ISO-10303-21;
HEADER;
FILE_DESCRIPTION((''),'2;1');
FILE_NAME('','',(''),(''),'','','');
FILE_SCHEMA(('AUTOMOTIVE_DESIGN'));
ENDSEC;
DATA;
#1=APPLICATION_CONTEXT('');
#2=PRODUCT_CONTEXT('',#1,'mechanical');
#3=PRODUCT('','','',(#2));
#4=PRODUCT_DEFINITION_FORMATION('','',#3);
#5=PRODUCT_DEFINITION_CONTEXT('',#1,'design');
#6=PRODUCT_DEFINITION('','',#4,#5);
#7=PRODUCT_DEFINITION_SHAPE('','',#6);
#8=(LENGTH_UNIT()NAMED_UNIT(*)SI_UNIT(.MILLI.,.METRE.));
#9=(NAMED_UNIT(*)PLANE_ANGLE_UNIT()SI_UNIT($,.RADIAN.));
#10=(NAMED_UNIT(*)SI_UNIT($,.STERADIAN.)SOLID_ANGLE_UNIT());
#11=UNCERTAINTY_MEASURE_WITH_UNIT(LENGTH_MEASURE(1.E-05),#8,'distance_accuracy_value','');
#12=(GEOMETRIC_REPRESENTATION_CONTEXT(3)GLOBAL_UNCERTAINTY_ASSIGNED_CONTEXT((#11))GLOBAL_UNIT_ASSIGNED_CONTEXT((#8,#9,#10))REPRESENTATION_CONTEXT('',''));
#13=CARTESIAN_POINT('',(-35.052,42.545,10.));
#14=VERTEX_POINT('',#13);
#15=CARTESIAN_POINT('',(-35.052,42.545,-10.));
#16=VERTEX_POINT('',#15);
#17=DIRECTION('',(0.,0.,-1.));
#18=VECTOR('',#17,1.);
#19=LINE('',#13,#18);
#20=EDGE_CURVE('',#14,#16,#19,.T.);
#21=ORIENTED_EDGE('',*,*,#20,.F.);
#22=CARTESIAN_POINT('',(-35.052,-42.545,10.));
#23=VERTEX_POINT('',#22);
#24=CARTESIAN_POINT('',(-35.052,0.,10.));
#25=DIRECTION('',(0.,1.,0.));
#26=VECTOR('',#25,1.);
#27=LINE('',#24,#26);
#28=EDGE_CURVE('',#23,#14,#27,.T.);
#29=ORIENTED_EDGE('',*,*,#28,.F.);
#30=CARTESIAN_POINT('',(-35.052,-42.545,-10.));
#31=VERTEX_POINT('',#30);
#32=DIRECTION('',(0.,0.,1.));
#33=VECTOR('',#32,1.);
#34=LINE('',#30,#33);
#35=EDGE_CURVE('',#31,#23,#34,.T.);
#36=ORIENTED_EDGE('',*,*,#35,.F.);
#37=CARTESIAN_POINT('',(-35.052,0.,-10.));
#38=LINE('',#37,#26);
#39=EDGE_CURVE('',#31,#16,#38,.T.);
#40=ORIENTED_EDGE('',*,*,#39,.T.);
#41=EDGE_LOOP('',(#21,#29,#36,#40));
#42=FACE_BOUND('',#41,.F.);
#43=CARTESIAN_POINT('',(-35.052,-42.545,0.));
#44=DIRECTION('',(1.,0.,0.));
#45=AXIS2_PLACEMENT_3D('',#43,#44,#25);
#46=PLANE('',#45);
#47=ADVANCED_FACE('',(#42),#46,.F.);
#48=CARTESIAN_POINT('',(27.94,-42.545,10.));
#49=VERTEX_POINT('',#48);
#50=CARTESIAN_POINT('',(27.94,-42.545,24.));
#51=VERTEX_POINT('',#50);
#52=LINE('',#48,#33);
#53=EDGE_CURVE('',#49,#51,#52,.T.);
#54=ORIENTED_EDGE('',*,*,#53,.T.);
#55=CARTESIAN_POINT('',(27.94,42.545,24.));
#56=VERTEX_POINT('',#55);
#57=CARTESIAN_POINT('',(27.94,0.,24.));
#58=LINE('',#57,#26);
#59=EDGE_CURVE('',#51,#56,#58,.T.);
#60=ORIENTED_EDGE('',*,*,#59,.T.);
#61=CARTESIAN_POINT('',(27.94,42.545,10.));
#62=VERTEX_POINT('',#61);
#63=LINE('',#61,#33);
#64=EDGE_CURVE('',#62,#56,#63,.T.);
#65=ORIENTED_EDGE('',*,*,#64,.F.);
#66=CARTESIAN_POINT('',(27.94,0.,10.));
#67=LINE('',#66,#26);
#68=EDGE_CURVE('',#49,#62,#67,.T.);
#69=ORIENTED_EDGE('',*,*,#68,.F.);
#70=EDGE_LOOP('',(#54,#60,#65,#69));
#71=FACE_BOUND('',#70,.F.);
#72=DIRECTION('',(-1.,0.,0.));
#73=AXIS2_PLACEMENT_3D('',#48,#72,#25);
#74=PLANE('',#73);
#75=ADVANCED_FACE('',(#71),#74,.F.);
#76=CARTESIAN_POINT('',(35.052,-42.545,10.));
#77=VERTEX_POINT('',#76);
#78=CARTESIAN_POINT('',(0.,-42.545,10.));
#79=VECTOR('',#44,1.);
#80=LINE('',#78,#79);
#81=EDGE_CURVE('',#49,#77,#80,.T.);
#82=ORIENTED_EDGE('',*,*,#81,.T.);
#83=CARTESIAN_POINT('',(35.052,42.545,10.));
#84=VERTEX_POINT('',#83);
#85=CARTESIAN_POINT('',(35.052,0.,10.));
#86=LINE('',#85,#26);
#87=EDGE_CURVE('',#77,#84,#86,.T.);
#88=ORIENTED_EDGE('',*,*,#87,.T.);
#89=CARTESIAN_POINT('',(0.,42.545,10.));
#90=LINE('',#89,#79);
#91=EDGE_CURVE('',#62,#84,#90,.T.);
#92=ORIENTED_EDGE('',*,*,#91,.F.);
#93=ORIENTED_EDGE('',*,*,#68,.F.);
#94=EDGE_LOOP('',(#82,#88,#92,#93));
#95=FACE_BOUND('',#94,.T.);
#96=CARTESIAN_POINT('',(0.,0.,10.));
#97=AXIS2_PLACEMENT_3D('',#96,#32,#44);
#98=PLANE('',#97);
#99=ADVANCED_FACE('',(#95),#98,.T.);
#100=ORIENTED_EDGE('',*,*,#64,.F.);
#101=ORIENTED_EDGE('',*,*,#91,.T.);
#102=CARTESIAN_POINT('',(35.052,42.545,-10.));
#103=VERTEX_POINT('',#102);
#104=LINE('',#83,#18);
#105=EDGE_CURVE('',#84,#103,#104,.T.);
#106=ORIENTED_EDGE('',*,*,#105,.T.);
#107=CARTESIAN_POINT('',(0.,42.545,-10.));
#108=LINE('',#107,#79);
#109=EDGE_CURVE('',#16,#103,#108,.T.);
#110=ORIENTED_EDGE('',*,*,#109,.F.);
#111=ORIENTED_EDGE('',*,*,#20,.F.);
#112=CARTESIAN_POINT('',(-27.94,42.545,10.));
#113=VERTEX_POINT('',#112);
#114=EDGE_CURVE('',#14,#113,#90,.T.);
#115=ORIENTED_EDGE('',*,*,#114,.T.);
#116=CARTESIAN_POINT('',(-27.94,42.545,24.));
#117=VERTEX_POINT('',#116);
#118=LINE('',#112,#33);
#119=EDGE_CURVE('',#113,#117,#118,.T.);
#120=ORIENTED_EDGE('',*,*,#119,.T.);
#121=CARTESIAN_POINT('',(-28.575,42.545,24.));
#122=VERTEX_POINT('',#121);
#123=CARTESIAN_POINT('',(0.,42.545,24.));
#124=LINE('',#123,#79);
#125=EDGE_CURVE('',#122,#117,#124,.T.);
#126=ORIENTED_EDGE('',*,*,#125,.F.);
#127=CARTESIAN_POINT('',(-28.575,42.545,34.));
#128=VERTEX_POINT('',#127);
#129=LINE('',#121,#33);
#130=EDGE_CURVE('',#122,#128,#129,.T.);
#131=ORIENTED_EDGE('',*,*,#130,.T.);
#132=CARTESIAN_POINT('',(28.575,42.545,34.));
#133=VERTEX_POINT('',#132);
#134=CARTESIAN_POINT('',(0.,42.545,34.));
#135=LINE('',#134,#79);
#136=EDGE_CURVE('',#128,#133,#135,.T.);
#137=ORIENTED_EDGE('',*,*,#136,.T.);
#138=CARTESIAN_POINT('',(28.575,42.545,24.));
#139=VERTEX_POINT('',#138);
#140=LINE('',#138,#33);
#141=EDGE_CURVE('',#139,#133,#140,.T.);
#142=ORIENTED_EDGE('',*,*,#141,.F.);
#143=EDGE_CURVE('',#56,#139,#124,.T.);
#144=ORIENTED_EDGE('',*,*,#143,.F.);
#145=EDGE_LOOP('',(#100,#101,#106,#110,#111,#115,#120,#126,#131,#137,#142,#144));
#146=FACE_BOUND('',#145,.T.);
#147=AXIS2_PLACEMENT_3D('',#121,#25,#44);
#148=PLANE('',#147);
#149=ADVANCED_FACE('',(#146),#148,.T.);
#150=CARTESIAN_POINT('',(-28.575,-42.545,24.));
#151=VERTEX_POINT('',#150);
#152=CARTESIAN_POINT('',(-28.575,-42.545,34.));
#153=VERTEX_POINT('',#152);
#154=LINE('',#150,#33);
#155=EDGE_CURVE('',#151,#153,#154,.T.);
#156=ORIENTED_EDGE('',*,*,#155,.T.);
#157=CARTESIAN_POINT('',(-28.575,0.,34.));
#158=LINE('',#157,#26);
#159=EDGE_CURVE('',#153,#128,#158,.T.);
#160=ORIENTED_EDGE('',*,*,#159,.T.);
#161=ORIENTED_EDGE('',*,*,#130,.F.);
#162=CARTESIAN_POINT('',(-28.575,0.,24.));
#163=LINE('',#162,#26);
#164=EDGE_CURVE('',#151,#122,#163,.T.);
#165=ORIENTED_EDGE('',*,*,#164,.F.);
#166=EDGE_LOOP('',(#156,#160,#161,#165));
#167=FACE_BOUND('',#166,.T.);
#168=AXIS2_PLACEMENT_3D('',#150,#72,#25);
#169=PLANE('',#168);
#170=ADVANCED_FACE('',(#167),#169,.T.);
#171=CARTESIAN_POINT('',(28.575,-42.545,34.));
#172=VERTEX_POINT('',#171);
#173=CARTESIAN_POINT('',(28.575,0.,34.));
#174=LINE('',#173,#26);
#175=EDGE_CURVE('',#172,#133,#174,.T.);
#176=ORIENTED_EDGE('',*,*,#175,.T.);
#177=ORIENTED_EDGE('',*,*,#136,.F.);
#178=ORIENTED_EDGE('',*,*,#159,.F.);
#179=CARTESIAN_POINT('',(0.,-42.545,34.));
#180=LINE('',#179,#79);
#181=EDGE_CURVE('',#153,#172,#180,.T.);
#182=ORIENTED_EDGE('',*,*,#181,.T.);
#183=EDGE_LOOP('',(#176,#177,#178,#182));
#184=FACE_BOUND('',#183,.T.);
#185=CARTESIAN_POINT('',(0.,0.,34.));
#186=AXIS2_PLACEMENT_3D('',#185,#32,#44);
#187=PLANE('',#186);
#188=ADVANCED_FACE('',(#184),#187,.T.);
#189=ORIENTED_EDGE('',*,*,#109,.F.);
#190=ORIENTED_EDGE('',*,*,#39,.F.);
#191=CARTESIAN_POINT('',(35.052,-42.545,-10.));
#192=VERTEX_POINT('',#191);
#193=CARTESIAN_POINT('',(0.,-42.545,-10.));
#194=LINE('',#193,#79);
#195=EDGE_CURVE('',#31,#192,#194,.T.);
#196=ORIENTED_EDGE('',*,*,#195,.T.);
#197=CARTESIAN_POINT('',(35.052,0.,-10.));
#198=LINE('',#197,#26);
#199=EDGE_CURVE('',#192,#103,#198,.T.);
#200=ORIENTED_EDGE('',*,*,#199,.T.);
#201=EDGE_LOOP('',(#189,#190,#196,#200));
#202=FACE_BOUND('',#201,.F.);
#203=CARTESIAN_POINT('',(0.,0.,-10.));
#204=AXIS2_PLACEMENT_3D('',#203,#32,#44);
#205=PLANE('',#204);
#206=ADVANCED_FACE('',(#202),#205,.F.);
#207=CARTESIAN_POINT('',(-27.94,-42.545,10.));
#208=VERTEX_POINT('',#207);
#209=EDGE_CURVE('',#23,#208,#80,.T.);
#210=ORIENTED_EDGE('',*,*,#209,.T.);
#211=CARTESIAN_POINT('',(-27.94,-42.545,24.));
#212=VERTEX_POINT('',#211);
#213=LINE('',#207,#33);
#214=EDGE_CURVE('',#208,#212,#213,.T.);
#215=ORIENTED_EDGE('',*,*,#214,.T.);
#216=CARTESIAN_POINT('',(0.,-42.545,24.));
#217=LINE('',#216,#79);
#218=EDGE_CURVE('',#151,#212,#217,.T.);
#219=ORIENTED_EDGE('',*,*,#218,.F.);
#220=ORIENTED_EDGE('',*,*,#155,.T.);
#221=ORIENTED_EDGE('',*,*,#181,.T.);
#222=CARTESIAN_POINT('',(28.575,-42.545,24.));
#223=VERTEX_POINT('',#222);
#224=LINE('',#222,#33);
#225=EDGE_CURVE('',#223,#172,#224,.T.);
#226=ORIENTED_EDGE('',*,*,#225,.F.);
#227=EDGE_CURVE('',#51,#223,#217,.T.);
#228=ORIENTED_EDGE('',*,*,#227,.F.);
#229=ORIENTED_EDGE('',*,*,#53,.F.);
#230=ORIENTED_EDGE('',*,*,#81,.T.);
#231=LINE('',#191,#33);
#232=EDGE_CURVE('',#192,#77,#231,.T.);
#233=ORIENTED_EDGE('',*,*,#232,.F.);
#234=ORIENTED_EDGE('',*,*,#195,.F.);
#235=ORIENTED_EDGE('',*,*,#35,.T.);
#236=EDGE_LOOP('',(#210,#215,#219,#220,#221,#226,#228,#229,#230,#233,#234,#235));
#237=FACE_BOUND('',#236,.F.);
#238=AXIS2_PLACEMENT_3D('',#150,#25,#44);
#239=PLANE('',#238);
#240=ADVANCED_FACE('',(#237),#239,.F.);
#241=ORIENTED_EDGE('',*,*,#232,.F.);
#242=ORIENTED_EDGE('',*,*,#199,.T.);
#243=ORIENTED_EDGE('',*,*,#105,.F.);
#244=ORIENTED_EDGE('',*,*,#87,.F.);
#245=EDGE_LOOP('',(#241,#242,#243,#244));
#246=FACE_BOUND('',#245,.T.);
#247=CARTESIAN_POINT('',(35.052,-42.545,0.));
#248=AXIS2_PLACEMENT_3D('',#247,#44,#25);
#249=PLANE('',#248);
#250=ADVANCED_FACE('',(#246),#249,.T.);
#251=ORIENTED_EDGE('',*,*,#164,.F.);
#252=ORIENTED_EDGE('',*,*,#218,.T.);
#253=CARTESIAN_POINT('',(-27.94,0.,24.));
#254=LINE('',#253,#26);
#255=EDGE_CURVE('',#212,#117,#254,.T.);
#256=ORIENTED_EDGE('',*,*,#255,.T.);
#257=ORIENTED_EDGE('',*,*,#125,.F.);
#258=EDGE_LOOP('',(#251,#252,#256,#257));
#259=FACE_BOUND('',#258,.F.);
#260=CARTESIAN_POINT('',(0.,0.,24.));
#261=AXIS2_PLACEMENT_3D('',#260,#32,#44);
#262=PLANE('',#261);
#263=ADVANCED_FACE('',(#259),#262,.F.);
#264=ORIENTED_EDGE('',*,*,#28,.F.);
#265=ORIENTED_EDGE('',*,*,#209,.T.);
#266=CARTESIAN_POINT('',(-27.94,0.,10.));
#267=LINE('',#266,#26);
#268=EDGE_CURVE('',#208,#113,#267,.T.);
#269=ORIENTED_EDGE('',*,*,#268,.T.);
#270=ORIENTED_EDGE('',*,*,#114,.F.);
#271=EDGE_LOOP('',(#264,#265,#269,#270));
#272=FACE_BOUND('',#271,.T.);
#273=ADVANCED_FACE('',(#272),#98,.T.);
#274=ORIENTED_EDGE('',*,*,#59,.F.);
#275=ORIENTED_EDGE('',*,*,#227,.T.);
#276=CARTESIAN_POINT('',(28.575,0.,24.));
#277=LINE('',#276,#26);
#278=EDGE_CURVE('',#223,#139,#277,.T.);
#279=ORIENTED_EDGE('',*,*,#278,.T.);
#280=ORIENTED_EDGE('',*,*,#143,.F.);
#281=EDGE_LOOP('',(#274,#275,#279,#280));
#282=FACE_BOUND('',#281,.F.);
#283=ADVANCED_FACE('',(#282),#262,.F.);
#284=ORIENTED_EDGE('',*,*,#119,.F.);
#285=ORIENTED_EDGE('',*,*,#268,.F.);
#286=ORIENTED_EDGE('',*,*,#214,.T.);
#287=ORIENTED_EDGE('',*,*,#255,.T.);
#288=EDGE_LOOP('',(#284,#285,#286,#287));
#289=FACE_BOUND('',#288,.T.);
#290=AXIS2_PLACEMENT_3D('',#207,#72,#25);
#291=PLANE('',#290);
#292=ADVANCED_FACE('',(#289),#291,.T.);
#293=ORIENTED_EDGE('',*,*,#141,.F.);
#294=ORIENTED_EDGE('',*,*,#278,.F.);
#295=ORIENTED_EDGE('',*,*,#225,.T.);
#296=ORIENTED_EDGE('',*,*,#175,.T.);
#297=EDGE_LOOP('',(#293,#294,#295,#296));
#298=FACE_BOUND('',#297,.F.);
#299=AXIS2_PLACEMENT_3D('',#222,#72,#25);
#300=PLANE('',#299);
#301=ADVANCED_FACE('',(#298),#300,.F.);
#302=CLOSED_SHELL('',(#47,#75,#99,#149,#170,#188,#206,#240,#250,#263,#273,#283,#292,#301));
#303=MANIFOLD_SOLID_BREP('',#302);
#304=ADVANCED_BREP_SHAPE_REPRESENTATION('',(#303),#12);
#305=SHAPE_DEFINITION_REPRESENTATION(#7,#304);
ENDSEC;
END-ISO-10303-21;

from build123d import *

# Parameters (mm, degrees)
F0_W     = 70.104
F0_H     = 85.09
F1_DEPTH = 10
F2_W     = 55.88
F2_H     = 85.09
F3_DEPTH = 14
F4_W     = 57.15
F4_H     = 85.09
F5_DEPTH = 10


with BuildPart() as f1:
    # F0 (on Top) → F1 (new body, symmetric)
    with BuildSketch(Plane.XY):
        Rectangle(F0_W, F0_H)
    extrude(amount=F1_DEPTH, both=True)

    # F2 (on face) → F3 (join)
    with BuildSketch(Plane.XY.offset(10)):
        Rectangle(F2_W, F2_H)
    extrude(amount=F3_DEPTH)

    # F4 (on face) → F5 (join)
    with BuildSketch(Plane.XY.offset(24)):
        Rectangle(F4_W, F4_H)
    extrude(amount=F5_DEPTH)


solid = f1.part
